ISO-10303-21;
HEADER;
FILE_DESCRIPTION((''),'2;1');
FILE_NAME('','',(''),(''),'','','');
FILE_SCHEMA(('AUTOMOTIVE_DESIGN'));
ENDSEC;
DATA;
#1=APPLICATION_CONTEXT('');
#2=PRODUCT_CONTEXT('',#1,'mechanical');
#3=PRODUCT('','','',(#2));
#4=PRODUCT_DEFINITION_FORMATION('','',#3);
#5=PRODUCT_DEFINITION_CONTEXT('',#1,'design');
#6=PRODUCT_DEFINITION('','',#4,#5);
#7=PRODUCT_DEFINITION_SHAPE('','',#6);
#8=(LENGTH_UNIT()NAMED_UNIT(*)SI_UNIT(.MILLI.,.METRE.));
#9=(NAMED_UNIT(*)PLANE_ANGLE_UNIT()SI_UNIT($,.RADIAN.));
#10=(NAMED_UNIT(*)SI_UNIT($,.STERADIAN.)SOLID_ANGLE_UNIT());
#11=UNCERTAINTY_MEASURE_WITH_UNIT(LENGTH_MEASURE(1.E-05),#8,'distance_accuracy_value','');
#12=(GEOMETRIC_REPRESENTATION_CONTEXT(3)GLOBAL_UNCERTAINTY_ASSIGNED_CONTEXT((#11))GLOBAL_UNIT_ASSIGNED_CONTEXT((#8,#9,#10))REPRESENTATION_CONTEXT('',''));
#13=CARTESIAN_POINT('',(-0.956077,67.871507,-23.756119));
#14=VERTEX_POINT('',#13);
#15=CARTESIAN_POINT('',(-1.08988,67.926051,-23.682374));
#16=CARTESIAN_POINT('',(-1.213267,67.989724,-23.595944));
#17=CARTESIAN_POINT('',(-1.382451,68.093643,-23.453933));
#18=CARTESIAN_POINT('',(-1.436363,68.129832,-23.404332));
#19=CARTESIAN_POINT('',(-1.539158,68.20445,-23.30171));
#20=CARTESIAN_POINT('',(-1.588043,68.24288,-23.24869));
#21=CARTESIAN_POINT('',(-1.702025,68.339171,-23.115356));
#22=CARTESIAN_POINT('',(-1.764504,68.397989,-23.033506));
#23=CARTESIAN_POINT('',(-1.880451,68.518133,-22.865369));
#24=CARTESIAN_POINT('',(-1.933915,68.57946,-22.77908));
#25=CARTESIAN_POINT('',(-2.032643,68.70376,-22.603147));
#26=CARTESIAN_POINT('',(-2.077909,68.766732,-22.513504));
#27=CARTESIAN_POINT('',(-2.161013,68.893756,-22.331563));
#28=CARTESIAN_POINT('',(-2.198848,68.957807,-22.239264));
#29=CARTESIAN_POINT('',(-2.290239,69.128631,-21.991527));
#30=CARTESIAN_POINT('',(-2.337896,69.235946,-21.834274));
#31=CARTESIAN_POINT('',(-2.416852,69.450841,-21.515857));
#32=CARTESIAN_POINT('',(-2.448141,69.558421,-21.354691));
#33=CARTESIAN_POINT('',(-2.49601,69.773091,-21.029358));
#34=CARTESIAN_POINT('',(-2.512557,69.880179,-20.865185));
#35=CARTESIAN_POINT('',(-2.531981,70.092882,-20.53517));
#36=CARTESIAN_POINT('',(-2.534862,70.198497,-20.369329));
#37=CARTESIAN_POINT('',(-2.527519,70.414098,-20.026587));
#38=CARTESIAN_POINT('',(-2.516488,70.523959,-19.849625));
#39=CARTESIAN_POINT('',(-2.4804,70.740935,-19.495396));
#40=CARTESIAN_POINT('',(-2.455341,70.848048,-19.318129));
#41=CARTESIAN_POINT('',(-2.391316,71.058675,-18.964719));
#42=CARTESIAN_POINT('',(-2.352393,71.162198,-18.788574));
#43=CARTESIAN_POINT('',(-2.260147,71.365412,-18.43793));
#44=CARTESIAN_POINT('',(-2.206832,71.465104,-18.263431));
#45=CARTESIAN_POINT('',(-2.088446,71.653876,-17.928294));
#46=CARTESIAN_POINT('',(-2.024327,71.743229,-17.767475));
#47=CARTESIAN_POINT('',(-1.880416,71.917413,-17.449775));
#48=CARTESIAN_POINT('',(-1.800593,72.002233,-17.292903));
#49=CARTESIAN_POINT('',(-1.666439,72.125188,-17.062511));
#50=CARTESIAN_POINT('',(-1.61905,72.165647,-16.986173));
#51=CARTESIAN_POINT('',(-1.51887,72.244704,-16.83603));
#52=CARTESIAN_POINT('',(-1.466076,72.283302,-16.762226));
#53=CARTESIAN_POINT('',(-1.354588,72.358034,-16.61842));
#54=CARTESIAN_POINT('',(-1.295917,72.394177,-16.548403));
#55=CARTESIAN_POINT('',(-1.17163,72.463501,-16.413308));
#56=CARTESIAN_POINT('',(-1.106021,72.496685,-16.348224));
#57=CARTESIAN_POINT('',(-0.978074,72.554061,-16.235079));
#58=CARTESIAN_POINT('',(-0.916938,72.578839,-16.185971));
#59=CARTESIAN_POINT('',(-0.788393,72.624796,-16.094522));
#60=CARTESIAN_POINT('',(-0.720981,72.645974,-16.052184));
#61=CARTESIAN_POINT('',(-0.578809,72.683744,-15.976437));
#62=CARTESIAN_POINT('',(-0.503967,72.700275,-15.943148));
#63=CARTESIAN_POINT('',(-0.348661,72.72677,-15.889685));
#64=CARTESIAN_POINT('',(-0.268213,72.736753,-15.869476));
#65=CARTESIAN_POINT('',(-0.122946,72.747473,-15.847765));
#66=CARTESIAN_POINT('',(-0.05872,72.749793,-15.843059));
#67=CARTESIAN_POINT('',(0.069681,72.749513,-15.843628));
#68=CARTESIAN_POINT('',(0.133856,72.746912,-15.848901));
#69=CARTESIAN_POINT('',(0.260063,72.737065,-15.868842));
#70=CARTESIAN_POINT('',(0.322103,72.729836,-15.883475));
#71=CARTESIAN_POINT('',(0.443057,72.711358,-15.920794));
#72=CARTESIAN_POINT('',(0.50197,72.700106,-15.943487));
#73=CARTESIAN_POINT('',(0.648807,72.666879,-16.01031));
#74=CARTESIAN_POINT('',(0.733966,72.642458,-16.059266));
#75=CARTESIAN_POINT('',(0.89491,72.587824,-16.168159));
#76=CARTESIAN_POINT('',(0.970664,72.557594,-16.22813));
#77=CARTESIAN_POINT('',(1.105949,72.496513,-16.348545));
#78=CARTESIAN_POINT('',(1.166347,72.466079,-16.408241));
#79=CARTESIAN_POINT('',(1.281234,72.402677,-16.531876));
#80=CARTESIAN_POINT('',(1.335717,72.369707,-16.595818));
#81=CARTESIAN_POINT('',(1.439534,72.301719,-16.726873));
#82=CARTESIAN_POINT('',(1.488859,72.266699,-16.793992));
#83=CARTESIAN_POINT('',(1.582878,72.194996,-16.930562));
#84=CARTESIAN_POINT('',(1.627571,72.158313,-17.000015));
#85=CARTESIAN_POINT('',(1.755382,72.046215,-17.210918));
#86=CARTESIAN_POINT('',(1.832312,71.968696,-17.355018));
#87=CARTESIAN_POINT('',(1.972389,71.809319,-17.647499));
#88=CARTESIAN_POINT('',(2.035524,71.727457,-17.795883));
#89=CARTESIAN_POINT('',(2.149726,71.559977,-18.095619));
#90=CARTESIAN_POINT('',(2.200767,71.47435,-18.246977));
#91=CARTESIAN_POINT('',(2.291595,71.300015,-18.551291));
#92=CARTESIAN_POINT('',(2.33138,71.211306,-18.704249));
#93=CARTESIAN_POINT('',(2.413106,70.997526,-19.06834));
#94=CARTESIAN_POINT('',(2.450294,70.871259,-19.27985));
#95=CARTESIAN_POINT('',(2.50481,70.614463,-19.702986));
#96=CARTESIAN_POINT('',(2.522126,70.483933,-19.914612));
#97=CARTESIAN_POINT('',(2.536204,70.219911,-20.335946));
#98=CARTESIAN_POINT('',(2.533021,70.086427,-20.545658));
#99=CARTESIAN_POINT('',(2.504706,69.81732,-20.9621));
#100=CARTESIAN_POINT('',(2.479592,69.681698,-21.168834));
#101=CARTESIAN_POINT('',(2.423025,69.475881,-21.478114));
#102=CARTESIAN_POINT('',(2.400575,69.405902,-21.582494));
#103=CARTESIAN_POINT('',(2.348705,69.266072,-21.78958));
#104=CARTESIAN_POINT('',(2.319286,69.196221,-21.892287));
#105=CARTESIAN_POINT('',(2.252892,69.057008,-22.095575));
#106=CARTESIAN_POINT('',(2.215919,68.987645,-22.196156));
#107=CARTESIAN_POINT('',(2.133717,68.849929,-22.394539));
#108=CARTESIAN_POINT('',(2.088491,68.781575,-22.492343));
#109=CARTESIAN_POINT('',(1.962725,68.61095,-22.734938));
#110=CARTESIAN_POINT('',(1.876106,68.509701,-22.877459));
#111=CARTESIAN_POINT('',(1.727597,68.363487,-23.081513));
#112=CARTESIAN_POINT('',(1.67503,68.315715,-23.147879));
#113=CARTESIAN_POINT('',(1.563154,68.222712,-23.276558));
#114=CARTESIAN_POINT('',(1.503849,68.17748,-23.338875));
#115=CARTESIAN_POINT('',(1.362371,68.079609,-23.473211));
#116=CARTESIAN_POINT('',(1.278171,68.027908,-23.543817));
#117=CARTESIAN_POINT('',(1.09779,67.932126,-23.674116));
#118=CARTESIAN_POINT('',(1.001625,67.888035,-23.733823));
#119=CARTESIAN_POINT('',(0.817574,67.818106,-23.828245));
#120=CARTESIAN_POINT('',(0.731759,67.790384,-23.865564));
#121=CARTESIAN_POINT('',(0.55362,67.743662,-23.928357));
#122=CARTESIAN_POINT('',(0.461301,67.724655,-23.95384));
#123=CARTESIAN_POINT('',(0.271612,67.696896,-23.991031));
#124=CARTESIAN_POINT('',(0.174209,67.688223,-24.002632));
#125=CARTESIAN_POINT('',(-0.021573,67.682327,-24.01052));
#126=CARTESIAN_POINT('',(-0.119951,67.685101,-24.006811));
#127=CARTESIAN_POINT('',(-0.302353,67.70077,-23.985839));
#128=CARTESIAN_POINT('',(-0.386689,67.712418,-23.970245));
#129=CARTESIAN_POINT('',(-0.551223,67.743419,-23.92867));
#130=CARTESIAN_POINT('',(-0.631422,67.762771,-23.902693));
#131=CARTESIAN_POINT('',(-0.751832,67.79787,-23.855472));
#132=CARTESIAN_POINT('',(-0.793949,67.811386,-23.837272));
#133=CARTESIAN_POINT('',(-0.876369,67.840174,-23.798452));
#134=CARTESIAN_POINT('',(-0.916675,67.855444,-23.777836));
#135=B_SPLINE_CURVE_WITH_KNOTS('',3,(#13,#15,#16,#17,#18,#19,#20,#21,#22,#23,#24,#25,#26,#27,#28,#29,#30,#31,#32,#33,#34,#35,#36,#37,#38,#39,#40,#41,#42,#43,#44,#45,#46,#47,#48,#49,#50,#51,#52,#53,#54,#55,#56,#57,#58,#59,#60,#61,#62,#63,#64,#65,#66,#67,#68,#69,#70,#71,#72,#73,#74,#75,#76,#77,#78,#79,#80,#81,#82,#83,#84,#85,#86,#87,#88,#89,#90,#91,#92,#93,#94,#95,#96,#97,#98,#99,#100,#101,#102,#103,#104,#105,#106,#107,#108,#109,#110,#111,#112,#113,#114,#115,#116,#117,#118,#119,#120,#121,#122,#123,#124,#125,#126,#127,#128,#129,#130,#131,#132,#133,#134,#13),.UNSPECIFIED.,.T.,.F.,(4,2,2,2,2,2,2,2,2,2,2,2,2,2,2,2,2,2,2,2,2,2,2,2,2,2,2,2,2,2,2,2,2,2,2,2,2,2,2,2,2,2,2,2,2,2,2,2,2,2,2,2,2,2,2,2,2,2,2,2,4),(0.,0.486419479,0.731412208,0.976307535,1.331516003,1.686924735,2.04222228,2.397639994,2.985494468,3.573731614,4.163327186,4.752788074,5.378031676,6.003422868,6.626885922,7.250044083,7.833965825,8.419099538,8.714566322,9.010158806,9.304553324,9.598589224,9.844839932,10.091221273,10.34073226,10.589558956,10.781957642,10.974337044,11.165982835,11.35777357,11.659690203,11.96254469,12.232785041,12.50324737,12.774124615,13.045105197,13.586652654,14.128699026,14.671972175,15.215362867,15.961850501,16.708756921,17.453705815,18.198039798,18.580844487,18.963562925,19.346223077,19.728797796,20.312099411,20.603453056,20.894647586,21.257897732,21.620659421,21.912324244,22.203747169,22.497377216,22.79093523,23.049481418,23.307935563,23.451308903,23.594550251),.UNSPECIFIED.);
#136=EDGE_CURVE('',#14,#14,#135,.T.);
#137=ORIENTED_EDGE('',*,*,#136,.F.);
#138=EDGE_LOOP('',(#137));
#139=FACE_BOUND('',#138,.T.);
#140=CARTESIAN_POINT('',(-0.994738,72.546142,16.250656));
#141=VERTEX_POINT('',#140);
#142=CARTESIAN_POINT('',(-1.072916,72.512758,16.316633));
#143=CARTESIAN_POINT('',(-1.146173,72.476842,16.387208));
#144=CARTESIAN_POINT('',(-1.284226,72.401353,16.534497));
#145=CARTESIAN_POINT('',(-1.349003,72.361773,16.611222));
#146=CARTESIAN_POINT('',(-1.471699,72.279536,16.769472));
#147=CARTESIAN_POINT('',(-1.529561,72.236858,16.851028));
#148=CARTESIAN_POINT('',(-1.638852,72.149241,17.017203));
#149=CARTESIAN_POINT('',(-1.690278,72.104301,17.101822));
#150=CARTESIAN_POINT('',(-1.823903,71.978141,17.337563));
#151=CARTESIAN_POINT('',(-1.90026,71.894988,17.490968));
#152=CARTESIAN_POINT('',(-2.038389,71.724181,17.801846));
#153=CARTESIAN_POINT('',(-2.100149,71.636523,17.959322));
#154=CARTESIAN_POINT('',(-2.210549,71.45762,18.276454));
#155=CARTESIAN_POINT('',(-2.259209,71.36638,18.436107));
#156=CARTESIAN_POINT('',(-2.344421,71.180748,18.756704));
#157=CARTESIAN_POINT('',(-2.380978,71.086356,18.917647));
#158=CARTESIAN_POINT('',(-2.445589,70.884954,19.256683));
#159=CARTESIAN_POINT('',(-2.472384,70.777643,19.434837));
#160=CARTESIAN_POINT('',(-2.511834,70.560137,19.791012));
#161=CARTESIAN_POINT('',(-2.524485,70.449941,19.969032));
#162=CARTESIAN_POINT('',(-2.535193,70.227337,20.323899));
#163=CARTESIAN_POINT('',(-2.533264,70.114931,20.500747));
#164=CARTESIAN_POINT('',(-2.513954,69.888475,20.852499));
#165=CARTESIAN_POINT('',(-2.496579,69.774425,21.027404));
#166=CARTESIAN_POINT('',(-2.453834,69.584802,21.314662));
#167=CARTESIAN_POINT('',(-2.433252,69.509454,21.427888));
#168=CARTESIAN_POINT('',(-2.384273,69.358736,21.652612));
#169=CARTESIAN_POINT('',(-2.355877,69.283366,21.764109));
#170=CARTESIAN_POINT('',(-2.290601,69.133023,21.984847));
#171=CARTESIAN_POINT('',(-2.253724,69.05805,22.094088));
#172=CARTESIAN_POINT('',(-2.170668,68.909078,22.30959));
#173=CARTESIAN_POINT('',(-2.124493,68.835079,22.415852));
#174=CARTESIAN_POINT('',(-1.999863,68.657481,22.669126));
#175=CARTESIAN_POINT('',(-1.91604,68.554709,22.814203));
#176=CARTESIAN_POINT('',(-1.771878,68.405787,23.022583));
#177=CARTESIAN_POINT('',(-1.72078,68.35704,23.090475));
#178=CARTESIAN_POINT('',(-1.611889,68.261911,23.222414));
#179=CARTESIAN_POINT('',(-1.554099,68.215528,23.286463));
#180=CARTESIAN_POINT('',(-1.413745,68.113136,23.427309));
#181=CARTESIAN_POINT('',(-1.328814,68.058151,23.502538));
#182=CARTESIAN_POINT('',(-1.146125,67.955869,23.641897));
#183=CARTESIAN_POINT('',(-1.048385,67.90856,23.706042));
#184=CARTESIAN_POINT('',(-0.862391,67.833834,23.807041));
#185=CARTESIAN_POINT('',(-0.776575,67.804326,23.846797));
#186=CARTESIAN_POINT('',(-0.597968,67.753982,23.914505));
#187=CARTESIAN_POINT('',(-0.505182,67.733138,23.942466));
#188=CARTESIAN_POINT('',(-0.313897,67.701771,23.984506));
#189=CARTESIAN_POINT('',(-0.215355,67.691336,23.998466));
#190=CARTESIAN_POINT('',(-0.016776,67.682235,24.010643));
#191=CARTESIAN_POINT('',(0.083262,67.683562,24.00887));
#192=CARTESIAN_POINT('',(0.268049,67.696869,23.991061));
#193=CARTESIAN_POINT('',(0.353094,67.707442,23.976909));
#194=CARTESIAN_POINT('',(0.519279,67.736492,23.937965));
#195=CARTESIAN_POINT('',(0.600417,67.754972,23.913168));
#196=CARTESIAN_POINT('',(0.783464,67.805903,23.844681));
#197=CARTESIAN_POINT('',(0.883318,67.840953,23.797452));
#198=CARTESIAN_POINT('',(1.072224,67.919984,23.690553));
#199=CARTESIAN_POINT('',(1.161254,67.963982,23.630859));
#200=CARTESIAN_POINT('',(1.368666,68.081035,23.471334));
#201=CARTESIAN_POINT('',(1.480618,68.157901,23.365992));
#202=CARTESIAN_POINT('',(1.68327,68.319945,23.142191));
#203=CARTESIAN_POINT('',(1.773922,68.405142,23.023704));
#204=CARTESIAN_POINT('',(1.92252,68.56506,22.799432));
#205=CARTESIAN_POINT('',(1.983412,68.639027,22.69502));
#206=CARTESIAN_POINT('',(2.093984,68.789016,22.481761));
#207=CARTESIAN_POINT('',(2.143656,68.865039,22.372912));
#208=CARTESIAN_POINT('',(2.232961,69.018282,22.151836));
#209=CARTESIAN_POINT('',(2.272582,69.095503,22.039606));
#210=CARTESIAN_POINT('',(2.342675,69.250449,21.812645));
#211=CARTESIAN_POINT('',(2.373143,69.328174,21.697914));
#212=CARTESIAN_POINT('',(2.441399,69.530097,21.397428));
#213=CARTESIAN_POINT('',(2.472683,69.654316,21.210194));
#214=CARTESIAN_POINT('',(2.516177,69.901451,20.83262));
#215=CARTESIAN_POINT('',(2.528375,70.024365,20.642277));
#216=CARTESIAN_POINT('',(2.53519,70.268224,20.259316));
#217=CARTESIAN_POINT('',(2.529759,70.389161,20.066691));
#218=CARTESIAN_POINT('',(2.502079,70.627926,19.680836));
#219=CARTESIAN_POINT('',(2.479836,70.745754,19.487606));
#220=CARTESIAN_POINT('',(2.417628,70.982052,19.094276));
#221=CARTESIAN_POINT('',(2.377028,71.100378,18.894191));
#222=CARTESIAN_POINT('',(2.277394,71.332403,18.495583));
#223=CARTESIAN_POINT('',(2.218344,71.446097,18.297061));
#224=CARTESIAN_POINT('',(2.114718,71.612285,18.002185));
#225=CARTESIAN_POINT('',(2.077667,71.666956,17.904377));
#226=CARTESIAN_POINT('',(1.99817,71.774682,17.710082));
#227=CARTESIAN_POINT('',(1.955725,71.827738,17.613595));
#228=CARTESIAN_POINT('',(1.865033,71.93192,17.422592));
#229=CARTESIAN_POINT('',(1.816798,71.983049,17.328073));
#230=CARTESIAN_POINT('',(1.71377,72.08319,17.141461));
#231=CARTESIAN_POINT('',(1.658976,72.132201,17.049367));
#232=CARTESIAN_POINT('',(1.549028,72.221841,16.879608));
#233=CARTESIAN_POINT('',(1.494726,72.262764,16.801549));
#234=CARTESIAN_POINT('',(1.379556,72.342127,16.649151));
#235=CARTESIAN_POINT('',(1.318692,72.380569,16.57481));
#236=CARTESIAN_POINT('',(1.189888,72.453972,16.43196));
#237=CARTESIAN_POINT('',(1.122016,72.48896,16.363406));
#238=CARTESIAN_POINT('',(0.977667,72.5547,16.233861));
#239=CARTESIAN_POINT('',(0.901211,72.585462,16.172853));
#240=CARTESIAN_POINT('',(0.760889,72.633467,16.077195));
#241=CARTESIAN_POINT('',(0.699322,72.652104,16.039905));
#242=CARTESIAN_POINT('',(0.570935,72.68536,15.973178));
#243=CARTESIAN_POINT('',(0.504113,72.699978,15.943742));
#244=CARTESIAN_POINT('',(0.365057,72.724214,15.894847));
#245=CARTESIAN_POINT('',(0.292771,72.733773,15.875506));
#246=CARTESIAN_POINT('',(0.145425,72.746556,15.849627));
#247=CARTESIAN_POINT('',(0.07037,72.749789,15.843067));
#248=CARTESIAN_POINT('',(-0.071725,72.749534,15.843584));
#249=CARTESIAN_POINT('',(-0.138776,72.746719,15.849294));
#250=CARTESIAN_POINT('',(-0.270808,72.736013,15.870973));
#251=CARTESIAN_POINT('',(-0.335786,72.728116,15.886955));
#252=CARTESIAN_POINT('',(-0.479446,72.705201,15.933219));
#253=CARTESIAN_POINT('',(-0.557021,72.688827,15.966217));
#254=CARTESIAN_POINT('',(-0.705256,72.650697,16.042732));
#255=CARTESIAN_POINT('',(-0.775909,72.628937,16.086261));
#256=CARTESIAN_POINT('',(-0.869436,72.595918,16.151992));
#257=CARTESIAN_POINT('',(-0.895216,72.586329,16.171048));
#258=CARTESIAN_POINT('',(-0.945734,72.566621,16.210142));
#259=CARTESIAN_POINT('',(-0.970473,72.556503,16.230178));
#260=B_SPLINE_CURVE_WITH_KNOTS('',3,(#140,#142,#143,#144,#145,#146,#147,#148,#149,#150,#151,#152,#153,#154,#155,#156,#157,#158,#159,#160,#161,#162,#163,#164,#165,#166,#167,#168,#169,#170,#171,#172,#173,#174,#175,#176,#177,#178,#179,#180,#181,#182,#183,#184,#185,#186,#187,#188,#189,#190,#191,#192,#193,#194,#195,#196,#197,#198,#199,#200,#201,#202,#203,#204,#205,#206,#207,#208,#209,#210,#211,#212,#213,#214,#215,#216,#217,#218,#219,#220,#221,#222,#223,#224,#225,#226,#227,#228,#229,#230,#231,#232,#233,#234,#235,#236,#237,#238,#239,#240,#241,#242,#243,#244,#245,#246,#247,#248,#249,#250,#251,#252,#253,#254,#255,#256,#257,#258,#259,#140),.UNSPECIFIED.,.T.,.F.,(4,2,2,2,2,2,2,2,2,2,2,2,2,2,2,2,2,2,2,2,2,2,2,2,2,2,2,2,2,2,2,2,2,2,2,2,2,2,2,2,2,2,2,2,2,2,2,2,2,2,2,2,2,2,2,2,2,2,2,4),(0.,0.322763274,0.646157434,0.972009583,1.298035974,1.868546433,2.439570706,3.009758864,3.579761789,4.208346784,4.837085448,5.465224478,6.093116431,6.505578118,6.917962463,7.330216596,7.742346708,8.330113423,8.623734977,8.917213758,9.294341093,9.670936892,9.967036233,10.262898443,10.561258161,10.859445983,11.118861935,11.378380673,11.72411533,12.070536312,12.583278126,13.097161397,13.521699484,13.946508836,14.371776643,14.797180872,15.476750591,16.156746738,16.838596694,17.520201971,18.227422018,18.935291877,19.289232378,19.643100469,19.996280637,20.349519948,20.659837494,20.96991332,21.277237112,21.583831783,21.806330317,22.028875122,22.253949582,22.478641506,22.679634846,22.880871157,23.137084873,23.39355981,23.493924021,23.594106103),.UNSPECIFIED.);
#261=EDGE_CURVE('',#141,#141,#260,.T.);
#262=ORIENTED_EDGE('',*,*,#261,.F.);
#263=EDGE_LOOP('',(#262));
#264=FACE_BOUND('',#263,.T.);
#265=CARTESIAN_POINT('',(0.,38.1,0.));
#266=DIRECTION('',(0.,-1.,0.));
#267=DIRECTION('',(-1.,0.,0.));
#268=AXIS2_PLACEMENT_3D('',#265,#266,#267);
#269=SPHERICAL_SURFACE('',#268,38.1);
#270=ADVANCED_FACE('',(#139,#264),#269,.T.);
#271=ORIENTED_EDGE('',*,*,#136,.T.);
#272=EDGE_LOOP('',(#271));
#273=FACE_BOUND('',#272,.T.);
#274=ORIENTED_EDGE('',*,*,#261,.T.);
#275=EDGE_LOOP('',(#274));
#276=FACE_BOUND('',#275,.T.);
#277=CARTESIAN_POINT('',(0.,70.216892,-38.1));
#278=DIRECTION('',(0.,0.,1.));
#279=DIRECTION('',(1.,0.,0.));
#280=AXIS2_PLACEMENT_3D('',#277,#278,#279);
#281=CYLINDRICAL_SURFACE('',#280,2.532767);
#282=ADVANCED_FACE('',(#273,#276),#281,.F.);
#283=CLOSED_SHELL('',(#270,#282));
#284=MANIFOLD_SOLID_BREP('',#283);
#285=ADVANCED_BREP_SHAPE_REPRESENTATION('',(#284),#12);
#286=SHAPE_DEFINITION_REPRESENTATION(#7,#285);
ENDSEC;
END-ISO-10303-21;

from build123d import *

# Parameters (mm, degrees)
CUT_EXTRUDE5_DEPTH      = 94.3255592
CUT_EXTRUDE5_DEPTH_BACK = 94.3255592
SKETCH5_R               = 2.532766939


with BuildPart() as part:
    # Sketch1 → Revolve1 (revolve)
    with BuildSketch(Plane.XY):
        with BuildLine():
            Line((0, 0), (0, 76.2))
            ThreePointArc((0, 76.2), (38.1, 38.1), (0, 0))
        make_face()
    revolve(axis=Axis((0, 0, 0), (0, 1, 0)))

    # Sketch5 → Cut-Extrude5 (cut, two sides: drawn at the far end of the back side and taken through both)
    with BuildSketch(Plane.XY.offset(-CUT_EXTRUDE5_DEPTH_BACK)):
        with Locations(Location((0, 70.216891875, 0), (0, 0, 247.822134575))):
            Circle(SKETCH5_R)
    extrude(amount=CUT_EXTRUDE5_DEPTH + CUT_EXTRUDE5_DEPTH_BACK, mode=Mode.SUBTRACT)


solid = part.part
